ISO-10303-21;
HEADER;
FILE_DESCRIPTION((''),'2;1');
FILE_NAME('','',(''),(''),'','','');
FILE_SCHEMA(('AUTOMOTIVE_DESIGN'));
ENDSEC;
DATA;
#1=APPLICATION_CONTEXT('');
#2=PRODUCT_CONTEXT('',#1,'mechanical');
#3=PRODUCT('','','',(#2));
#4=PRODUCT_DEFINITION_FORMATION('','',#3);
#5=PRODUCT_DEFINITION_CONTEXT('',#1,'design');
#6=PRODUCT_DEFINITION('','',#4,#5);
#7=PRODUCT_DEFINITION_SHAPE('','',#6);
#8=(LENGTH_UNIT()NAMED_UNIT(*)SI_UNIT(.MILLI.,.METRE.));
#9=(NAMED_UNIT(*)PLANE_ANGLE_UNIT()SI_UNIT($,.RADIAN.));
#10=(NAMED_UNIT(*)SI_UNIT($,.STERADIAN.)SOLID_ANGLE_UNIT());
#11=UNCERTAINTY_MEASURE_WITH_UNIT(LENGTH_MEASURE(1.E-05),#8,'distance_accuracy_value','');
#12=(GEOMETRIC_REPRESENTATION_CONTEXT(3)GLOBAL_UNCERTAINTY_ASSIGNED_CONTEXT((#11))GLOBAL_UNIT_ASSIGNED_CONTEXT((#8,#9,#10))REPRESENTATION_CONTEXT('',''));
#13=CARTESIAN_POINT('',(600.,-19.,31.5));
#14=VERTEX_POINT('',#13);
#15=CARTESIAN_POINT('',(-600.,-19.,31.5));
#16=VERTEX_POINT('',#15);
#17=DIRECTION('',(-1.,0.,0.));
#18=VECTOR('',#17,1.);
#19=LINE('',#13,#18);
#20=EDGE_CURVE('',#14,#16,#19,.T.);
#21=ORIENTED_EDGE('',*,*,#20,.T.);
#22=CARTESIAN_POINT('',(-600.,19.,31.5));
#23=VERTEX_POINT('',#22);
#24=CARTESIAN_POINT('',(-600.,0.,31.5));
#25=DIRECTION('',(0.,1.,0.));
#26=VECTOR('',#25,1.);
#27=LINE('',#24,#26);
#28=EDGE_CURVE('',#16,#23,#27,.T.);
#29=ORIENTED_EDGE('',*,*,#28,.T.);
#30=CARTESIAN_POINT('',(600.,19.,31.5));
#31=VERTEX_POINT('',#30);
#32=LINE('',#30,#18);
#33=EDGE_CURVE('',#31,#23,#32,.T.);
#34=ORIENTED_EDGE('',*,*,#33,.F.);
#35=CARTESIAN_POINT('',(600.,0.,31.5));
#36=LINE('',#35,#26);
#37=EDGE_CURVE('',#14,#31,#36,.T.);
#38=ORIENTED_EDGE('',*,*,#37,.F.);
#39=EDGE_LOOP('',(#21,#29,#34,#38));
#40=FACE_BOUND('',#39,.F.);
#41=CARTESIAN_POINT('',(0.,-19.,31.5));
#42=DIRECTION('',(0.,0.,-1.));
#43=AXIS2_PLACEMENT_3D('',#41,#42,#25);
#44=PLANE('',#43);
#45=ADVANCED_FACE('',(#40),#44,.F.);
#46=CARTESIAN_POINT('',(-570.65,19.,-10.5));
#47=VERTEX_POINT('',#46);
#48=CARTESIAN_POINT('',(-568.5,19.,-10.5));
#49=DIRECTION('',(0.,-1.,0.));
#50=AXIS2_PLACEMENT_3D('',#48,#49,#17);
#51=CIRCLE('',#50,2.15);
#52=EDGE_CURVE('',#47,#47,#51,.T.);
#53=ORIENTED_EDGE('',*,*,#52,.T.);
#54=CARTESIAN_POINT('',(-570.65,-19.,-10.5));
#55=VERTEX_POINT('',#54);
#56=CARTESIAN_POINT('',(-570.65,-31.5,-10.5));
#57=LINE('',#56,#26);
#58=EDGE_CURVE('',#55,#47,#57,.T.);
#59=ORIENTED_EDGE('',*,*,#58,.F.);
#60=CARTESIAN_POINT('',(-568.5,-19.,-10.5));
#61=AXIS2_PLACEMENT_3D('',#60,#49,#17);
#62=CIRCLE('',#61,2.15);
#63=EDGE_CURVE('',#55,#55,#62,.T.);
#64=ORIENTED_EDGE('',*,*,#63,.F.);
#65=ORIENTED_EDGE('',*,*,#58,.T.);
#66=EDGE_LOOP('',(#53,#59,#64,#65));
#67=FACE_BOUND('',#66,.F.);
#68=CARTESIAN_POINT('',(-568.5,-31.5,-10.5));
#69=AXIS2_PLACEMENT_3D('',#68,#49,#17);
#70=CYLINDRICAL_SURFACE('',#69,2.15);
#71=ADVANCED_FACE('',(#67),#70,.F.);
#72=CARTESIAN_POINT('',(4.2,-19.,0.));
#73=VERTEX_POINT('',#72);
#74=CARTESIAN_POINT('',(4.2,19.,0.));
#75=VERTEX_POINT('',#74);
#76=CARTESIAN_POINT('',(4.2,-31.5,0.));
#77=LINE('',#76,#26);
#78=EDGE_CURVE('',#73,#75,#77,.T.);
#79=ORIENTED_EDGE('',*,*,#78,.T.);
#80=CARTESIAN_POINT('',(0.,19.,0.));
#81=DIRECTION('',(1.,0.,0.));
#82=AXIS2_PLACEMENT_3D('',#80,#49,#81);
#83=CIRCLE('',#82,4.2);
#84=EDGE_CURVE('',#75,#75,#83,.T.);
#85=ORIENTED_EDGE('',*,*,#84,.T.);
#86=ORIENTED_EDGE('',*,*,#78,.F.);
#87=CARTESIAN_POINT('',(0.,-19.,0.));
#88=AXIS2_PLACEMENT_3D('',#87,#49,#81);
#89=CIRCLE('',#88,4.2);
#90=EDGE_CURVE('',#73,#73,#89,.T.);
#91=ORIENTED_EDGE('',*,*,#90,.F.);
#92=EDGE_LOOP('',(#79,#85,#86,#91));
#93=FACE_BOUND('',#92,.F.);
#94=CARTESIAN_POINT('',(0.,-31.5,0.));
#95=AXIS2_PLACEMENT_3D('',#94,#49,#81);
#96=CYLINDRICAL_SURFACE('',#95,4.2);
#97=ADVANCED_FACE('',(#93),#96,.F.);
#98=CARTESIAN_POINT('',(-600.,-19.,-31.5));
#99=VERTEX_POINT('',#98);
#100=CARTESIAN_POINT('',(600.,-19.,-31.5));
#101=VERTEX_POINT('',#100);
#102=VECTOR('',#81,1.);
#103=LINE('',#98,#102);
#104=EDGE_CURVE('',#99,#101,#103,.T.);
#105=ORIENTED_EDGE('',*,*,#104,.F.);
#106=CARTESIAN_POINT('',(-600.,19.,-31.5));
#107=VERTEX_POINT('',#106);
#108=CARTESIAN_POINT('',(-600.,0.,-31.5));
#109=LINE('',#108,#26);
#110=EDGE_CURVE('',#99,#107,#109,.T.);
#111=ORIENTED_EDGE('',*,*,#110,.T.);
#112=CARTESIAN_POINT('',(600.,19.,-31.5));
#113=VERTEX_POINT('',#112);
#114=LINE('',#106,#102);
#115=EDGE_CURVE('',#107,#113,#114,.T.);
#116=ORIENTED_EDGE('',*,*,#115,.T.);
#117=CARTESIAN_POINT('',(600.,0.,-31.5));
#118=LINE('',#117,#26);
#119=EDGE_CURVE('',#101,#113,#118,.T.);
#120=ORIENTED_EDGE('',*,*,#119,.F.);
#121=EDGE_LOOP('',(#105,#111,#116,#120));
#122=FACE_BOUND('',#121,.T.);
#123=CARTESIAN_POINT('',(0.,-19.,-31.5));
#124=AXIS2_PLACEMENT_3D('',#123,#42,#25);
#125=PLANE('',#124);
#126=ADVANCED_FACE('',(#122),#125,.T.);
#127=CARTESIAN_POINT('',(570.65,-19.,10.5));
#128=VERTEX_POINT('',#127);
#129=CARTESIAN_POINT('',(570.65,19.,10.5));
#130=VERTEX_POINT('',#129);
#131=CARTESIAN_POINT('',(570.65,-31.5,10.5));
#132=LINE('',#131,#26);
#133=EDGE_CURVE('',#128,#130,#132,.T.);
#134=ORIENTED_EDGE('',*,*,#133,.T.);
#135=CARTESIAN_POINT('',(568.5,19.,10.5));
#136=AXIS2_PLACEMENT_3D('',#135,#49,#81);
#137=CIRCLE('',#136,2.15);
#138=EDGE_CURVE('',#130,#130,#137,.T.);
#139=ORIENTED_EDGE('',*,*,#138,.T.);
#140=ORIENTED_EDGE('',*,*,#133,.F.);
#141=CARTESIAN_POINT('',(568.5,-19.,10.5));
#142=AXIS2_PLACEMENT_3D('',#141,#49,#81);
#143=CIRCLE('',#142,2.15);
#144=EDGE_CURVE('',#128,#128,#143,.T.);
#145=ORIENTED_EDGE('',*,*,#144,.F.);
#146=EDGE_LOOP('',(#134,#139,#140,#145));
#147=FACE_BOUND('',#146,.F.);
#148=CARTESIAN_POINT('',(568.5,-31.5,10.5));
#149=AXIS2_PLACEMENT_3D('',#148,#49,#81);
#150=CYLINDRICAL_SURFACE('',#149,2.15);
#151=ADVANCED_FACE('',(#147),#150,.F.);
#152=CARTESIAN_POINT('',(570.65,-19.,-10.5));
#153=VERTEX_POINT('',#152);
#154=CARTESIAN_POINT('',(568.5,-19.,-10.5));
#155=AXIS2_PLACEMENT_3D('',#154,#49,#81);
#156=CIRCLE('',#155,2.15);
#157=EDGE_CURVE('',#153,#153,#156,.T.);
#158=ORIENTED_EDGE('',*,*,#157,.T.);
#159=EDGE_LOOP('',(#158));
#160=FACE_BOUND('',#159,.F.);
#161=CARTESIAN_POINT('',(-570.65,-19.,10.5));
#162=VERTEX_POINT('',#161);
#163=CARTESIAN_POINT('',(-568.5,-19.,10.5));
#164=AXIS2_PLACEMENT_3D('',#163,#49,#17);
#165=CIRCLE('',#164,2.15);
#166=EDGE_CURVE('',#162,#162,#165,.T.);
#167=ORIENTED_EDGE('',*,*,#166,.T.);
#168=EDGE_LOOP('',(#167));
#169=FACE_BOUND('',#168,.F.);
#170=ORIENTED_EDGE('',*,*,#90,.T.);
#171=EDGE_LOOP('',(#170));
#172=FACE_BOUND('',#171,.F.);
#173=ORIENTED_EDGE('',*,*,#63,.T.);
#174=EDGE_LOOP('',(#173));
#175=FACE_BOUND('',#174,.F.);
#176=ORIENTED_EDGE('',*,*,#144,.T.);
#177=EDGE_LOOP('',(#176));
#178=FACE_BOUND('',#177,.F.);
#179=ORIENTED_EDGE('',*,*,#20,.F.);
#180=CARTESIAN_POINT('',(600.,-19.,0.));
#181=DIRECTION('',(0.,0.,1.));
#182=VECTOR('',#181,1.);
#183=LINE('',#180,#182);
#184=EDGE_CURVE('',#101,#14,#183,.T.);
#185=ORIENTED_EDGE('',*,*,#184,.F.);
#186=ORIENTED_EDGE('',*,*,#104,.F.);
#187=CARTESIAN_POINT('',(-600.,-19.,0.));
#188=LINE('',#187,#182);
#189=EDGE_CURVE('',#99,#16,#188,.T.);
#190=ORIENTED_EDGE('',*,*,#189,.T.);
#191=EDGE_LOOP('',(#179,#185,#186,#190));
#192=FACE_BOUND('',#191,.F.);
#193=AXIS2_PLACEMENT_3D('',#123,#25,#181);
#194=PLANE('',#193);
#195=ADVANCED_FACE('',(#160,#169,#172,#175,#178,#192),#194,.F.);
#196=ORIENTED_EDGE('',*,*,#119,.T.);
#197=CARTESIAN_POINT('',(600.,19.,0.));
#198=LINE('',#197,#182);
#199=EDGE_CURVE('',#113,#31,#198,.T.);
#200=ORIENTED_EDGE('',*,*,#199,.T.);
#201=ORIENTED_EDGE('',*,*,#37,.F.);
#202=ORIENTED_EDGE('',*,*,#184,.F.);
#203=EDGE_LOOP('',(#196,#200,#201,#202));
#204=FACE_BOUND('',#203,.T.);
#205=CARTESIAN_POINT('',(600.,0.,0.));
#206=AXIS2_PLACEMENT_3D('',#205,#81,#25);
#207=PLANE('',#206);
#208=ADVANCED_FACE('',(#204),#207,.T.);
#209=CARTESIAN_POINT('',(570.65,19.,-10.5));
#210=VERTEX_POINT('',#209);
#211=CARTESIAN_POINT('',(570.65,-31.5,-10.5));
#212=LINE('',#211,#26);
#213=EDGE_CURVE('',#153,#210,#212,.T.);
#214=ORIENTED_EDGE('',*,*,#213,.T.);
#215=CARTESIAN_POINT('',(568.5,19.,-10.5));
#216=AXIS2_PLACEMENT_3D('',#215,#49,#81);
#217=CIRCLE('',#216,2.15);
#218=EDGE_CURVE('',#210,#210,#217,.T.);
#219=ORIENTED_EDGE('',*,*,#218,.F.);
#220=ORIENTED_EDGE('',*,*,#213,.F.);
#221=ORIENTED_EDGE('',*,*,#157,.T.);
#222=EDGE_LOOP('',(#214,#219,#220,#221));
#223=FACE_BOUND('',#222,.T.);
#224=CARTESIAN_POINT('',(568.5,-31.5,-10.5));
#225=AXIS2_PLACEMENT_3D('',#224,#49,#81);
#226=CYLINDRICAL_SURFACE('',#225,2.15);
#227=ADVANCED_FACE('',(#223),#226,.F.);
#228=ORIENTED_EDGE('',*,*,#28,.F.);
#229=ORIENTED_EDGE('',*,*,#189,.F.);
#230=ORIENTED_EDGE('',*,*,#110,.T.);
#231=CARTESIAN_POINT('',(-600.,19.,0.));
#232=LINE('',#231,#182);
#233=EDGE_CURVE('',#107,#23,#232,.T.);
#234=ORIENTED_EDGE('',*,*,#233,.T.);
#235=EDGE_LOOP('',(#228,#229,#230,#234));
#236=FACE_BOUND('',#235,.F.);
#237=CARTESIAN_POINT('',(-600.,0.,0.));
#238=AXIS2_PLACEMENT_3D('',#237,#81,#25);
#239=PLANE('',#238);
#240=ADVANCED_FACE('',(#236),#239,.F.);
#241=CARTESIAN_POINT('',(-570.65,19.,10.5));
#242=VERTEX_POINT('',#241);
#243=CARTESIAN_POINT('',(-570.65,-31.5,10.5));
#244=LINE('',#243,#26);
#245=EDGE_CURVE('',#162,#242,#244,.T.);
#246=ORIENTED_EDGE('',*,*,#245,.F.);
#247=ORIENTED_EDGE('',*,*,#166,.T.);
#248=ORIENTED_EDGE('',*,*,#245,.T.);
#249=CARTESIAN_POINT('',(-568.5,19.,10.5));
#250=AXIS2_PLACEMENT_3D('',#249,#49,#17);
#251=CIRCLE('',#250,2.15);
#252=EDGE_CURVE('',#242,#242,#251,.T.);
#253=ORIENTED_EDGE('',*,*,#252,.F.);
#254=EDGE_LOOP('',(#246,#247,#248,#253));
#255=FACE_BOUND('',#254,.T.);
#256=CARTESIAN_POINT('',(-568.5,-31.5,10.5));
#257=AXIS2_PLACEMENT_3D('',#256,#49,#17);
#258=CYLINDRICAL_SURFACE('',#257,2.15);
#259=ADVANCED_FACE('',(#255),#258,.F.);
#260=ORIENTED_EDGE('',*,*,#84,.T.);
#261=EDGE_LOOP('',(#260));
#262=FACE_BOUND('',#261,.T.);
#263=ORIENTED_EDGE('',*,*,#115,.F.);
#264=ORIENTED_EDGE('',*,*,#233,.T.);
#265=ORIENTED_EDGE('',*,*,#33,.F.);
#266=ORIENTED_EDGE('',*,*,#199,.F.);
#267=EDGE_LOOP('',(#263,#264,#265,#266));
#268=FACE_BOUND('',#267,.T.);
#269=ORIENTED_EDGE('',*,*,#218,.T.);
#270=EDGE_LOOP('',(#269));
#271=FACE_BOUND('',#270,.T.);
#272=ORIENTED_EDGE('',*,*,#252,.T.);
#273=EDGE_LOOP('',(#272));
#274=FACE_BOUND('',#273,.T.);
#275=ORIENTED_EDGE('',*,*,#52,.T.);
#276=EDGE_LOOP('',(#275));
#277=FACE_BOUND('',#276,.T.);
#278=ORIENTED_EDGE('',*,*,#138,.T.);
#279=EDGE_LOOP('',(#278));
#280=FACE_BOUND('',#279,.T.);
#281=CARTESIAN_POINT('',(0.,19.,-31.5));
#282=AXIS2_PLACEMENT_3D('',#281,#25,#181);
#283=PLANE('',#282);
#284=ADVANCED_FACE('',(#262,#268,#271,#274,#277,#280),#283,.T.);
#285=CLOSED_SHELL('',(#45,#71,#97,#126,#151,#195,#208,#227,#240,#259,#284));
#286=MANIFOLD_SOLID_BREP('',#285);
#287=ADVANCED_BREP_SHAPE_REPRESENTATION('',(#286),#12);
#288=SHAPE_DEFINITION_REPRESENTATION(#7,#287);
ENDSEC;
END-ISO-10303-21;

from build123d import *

# Parameters (mm, degrees)
SKETCH_W                 = 38
SKETCH_H                 = 63
PAD_DEPTH                = 600
SKETCH001_R              = 4.2
HOLE_DEPTH               = 50.501
SKETCH002_R              = 2.15
HOLE001_DEPTH            = 2455.007602
SKETCH002_MIRRORED_2_R   = 2.15
HOLE001_MIRRORED_2_DEPTH = 2455.007602


with BuildPart() as part:
    # Sketch → Pad (new body, symmetric)
    with BuildSketch(Plane.YZ):
        Rectangle(SKETCH_W, SKETCH_H)
    extrude(amount=PAD_DEPTH, both=True)

    # Sketch001 → Hole (cut, through all)
    with BuildSketch(Plane.XZ.offset(31.5)):
        Circle(SKETCH001_R)
    extrude(amount=-HOLE_DEPTH, mode=Mode.SUBTRACT)

    # Sketch002 → Hole001 (cut, through all)
    with BuildSketch(Plane.XZ.offset(31.5)):
        with Locations((568.5, 10.5)):
            Circle(SKETCH002_R)
    hole001 = extrude(amount=-HOLE001_DEPTH, mode=Mode.SUBTRACT)

    # Sketch002 Mirrored 2 → Hole001 Mirrored 2 (cut, through all)
    with BuildSketch(Plane(origin=(0, -31.5, 0), x_dir=(-1, 0, 0), z_dir=(0, 1, 0))):
        with Locations((568.5, 10.5)):
            Circle(SKETCH002_MIRRORED_2_R)
    hole001_mirrored_2 = extrude(amount=HOLE001_MIRRORED_2_DEPTH, mode=Mode.SUBTRACT)

    # Mirrored001: Hole001, Hole001 Mirrored 2 across Sketch002 H_Axis
    add(hole001.mirror(Plane(origin=(0, -31.5, 0), x_dir=(0, -1, 0), z_dir=(0, 0, 1))), mode=Mode.SUBTRACT)
    add(hole001_mirrored_2.mirror(Plane(origin=(0, -31.5, 0), x_dir=(0, -1, 0), z_dir=(0, 0, 1))), mode=Mode.SUBTRACT)


solid = part.part
